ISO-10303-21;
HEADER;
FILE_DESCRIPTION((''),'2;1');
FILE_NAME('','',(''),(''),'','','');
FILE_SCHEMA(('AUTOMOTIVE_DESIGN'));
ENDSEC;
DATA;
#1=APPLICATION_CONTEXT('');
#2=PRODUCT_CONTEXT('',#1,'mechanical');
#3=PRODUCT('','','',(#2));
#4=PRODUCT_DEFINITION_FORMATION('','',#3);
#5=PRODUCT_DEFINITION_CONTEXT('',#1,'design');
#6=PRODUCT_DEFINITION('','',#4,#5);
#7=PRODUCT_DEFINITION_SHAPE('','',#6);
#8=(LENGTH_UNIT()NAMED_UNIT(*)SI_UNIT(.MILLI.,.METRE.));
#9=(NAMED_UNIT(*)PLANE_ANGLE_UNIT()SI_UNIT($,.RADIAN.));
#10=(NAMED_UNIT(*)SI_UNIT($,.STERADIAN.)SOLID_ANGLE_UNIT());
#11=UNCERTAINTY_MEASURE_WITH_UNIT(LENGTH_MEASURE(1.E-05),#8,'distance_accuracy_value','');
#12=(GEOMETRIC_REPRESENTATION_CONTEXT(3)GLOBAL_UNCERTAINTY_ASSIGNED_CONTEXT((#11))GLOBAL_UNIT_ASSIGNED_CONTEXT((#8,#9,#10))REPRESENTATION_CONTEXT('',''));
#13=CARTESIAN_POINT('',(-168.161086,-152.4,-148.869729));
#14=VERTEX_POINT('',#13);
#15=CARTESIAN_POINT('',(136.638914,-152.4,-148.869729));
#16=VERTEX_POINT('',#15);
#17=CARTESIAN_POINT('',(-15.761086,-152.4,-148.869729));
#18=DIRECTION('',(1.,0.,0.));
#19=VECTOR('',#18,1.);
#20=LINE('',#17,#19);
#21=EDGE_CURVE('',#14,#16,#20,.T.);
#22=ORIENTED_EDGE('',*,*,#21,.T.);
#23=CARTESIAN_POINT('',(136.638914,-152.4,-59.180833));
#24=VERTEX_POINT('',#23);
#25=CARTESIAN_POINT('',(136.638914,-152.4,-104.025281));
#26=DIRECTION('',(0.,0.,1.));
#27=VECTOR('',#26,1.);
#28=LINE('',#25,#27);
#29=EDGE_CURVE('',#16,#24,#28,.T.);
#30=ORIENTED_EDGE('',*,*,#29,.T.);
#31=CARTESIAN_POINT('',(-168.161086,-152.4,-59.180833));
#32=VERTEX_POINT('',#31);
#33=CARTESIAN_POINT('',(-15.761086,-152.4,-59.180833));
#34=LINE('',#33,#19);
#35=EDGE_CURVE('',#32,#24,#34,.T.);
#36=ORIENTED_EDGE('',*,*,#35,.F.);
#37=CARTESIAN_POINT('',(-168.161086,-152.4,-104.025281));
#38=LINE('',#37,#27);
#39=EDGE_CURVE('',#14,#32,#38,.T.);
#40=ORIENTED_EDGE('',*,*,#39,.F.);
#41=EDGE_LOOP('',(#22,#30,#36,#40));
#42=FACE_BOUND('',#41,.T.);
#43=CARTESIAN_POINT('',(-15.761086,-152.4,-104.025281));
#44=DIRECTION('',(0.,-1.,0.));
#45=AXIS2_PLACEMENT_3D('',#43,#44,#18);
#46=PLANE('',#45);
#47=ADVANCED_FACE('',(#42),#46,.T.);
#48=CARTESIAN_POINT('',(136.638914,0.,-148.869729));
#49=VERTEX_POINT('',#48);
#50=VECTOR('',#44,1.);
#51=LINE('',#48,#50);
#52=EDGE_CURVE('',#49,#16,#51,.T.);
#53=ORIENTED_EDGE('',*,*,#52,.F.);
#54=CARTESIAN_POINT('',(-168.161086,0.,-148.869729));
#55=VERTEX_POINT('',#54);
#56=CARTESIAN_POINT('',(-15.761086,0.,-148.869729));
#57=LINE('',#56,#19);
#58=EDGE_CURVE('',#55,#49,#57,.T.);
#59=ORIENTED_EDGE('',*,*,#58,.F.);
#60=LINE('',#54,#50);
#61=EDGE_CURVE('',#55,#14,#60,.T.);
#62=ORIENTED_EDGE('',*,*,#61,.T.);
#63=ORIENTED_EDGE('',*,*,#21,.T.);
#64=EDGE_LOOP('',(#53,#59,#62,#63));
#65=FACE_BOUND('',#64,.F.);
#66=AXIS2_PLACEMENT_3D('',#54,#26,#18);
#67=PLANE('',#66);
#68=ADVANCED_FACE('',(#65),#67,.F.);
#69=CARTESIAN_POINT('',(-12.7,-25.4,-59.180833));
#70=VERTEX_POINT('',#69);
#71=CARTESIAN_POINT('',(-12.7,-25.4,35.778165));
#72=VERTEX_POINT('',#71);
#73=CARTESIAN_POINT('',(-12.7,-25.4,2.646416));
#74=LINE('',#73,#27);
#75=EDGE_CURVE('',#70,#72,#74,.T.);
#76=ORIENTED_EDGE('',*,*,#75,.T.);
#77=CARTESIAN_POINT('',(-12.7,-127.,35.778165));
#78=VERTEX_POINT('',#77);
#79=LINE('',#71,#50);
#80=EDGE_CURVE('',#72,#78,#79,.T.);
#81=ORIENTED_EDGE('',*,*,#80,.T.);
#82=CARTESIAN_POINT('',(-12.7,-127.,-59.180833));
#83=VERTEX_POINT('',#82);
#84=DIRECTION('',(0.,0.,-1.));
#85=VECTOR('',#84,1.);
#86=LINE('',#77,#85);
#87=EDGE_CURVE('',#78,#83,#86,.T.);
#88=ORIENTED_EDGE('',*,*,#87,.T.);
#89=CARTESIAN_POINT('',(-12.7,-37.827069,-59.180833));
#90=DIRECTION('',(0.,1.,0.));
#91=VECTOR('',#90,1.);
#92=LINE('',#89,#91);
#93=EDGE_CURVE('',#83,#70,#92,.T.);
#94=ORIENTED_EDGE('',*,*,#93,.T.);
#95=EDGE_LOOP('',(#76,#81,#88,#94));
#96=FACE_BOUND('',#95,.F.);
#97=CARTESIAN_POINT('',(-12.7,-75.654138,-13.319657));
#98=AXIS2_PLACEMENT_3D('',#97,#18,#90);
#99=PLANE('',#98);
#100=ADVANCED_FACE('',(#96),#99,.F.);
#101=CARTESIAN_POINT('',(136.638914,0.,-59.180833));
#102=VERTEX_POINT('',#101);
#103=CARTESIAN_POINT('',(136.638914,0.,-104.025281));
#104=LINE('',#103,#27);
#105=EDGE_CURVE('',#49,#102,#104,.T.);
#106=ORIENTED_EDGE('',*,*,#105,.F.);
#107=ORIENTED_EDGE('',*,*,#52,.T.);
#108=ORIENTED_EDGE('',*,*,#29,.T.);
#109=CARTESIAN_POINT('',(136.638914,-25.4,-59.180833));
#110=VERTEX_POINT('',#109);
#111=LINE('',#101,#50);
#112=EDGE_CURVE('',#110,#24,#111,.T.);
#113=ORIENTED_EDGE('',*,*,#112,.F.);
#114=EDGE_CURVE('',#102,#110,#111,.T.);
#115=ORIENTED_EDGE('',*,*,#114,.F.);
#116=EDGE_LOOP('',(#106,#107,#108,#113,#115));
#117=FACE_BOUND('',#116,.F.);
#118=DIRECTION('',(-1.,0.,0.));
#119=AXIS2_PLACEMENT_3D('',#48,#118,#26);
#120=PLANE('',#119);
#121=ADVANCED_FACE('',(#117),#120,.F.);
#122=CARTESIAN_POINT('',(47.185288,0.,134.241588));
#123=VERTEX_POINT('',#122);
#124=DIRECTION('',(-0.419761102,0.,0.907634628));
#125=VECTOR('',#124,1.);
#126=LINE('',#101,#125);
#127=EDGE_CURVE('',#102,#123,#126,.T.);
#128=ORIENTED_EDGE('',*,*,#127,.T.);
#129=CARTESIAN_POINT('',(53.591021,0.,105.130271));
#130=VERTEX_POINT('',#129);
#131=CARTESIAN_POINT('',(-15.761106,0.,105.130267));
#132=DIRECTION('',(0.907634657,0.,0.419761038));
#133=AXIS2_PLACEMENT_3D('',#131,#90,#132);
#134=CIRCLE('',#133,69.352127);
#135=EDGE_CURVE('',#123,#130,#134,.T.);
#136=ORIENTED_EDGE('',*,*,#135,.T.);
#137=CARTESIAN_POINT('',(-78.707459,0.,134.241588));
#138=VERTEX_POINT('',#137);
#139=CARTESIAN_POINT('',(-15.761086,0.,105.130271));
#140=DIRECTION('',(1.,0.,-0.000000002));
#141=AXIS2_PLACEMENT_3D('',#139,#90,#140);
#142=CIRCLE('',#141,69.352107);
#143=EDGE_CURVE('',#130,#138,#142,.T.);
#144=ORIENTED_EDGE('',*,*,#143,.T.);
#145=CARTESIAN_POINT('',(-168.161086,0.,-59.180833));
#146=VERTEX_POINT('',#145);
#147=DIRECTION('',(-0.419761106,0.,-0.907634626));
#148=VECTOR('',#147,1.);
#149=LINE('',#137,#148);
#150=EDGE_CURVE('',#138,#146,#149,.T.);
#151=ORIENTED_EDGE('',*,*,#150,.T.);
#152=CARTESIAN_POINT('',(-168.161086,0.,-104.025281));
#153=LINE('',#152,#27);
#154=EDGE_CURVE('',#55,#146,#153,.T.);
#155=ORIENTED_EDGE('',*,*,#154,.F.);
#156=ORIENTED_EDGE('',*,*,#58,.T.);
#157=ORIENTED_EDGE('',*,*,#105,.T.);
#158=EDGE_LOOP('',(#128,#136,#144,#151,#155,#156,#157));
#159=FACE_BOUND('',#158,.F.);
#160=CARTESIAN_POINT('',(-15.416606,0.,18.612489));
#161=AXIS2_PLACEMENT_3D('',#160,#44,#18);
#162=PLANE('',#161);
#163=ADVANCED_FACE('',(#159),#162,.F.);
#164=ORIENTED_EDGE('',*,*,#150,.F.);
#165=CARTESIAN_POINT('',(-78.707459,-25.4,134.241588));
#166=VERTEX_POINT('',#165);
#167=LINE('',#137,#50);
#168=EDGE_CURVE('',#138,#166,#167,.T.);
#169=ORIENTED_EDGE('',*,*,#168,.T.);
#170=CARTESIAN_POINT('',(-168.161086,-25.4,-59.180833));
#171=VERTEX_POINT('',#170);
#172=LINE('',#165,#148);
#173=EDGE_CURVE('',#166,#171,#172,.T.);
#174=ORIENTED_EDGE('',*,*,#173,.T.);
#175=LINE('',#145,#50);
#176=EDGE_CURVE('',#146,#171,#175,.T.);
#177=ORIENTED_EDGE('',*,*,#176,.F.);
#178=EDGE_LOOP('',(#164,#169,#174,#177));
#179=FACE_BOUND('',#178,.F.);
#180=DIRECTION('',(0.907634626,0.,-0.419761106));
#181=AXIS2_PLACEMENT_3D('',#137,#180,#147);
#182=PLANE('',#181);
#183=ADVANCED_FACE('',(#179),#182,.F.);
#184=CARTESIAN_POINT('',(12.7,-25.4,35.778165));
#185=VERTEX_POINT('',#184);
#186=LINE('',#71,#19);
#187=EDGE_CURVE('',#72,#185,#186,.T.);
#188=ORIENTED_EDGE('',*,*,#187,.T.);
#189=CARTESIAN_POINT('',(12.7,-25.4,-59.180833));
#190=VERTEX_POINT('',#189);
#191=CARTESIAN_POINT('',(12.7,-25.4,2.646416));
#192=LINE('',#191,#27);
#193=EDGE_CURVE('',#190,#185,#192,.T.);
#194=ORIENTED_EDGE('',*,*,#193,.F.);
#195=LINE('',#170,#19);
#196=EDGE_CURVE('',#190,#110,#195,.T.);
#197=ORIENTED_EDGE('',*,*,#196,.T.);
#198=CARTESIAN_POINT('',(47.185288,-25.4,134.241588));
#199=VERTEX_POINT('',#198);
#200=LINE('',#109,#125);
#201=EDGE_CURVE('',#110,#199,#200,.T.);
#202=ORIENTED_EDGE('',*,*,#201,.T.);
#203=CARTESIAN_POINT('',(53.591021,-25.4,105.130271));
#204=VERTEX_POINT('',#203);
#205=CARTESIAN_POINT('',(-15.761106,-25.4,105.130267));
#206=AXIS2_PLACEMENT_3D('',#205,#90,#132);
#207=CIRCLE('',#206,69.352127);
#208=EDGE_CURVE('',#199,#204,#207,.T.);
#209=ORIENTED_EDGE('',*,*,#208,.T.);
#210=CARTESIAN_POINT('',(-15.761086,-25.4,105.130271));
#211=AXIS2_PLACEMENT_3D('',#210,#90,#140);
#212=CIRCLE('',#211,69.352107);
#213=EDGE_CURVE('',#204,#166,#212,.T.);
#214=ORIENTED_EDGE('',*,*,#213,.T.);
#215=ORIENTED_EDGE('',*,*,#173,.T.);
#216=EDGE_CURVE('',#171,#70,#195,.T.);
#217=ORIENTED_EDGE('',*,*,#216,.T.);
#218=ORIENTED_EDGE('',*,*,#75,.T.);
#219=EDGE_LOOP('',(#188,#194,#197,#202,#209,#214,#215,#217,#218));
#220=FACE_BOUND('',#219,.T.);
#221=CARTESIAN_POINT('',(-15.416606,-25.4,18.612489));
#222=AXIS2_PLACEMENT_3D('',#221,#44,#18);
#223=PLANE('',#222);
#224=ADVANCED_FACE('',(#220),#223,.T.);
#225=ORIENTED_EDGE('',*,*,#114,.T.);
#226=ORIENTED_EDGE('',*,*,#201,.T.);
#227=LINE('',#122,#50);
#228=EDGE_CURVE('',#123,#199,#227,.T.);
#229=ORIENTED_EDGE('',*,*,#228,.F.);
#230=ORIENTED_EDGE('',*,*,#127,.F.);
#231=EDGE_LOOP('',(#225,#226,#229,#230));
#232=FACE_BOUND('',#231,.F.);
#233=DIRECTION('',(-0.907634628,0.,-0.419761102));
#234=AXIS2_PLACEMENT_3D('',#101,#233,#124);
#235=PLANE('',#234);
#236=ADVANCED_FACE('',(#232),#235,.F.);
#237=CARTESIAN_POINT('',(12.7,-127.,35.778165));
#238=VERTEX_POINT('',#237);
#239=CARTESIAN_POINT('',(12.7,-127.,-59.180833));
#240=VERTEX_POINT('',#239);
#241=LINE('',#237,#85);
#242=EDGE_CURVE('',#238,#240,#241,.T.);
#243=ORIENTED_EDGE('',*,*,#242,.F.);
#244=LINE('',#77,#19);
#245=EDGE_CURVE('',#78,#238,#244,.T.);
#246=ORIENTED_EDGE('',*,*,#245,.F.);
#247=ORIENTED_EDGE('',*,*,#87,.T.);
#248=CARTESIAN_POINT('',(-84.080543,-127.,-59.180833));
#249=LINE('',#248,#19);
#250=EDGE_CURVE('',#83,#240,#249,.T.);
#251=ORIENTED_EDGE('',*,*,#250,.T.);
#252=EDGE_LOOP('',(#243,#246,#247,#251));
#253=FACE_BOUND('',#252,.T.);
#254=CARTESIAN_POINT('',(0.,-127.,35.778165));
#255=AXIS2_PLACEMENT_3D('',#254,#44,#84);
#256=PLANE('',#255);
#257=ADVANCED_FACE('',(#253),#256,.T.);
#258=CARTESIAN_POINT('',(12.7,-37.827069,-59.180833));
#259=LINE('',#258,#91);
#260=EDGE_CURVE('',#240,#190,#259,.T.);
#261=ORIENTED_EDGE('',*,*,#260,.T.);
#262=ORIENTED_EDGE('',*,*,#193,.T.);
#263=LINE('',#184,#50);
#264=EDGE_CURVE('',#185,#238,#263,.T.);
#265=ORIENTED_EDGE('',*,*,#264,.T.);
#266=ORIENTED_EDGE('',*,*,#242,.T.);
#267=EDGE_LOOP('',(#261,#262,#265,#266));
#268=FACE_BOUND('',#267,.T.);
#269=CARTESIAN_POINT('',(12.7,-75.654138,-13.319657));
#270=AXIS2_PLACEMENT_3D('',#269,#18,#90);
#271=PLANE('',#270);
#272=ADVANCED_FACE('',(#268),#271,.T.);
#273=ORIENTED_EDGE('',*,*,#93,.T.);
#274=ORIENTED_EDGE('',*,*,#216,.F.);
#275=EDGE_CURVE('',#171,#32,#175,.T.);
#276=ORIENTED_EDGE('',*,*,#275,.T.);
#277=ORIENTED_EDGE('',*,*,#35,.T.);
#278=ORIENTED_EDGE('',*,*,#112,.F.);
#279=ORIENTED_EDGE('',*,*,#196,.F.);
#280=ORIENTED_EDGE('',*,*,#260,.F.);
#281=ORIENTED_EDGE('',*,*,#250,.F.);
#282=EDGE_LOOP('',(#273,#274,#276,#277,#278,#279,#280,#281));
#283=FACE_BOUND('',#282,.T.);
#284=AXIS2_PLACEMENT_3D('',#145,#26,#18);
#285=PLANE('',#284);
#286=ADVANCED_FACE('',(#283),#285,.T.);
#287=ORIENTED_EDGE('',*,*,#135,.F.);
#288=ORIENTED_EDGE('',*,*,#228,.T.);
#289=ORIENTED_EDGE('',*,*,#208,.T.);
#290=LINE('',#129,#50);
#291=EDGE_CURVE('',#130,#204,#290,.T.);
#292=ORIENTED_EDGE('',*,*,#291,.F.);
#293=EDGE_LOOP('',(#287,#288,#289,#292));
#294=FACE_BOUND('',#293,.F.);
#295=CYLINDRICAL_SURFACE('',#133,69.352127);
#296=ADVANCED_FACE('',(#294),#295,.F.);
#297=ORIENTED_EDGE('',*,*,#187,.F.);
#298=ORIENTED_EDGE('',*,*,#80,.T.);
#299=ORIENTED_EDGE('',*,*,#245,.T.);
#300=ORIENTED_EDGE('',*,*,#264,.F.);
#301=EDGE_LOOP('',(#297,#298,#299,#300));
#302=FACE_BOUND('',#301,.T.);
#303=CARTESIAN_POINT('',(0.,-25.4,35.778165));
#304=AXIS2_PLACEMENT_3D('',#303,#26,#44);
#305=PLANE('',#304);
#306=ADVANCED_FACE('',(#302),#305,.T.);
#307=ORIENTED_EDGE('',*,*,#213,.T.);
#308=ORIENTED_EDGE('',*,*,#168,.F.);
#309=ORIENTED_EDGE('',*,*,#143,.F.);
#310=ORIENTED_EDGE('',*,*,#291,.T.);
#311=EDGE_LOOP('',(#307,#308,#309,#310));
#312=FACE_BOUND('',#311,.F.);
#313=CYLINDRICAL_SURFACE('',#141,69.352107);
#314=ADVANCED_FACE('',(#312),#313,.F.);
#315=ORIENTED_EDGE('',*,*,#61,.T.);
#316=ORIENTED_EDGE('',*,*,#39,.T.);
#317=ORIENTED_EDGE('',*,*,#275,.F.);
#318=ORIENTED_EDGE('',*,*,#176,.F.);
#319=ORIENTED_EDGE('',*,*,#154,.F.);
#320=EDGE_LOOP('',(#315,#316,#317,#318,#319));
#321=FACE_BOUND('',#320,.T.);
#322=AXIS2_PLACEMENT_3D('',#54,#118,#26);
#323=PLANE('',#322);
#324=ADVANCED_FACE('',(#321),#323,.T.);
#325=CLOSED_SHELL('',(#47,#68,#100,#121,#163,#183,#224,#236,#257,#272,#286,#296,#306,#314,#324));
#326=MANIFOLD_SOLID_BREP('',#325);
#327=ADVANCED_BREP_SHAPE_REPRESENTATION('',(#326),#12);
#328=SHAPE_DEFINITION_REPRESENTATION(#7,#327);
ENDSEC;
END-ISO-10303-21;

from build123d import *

# Parameters (mm, degrees)
F0_W     = 304.8
F0_H     = 89.688896
F1_DEPTH = 152.4
F2_DEPTH = 25.4
F4_DEPTH = 12.7


with BuildPart() as f1:
    # F0 (on Front) → F1 (new body)
    with BuildSketch(Plane.XZ):
        with Locations((-15.761086, -104.025281)):
            Rectangle(F0_W, F0_H)
    extrude(amount=F1_DEPTH)

    # F0 (on Front) → F2 (join)
    with BuildSketch(Plane.XZ):
        with BuildLine():
            Line((-78.707459, 134.241588), (-168.161086, -59.180833))
            Line((-168.161086, -59.180833), (136.638914, -59.180833))
            Line((136.638914, -59.180833), (47.185288, 134.241588))
            ThreePointArc((47.185288, 134.241588), (51.970658, 120.034148), (53.591021, 105.130271))
            ThreePointArc((53.591021, 105.130271), (-30.664962, 37.398527), (-78.707459, 134.241588))
        make_face()
    extrude(amount=F2_DEPTH)

    # F3 (on Right) → F4 (join, symmetric)
    with BuildSketch(Plane.YZ):
        Polygon((-23.240424, -61.891118), (-25.4, 35.778165), (-127, 35.778165), (-127, -61.891118), align=None)
    extrude(amount=F4_DEPTH, both=True)


solid = f1.part
